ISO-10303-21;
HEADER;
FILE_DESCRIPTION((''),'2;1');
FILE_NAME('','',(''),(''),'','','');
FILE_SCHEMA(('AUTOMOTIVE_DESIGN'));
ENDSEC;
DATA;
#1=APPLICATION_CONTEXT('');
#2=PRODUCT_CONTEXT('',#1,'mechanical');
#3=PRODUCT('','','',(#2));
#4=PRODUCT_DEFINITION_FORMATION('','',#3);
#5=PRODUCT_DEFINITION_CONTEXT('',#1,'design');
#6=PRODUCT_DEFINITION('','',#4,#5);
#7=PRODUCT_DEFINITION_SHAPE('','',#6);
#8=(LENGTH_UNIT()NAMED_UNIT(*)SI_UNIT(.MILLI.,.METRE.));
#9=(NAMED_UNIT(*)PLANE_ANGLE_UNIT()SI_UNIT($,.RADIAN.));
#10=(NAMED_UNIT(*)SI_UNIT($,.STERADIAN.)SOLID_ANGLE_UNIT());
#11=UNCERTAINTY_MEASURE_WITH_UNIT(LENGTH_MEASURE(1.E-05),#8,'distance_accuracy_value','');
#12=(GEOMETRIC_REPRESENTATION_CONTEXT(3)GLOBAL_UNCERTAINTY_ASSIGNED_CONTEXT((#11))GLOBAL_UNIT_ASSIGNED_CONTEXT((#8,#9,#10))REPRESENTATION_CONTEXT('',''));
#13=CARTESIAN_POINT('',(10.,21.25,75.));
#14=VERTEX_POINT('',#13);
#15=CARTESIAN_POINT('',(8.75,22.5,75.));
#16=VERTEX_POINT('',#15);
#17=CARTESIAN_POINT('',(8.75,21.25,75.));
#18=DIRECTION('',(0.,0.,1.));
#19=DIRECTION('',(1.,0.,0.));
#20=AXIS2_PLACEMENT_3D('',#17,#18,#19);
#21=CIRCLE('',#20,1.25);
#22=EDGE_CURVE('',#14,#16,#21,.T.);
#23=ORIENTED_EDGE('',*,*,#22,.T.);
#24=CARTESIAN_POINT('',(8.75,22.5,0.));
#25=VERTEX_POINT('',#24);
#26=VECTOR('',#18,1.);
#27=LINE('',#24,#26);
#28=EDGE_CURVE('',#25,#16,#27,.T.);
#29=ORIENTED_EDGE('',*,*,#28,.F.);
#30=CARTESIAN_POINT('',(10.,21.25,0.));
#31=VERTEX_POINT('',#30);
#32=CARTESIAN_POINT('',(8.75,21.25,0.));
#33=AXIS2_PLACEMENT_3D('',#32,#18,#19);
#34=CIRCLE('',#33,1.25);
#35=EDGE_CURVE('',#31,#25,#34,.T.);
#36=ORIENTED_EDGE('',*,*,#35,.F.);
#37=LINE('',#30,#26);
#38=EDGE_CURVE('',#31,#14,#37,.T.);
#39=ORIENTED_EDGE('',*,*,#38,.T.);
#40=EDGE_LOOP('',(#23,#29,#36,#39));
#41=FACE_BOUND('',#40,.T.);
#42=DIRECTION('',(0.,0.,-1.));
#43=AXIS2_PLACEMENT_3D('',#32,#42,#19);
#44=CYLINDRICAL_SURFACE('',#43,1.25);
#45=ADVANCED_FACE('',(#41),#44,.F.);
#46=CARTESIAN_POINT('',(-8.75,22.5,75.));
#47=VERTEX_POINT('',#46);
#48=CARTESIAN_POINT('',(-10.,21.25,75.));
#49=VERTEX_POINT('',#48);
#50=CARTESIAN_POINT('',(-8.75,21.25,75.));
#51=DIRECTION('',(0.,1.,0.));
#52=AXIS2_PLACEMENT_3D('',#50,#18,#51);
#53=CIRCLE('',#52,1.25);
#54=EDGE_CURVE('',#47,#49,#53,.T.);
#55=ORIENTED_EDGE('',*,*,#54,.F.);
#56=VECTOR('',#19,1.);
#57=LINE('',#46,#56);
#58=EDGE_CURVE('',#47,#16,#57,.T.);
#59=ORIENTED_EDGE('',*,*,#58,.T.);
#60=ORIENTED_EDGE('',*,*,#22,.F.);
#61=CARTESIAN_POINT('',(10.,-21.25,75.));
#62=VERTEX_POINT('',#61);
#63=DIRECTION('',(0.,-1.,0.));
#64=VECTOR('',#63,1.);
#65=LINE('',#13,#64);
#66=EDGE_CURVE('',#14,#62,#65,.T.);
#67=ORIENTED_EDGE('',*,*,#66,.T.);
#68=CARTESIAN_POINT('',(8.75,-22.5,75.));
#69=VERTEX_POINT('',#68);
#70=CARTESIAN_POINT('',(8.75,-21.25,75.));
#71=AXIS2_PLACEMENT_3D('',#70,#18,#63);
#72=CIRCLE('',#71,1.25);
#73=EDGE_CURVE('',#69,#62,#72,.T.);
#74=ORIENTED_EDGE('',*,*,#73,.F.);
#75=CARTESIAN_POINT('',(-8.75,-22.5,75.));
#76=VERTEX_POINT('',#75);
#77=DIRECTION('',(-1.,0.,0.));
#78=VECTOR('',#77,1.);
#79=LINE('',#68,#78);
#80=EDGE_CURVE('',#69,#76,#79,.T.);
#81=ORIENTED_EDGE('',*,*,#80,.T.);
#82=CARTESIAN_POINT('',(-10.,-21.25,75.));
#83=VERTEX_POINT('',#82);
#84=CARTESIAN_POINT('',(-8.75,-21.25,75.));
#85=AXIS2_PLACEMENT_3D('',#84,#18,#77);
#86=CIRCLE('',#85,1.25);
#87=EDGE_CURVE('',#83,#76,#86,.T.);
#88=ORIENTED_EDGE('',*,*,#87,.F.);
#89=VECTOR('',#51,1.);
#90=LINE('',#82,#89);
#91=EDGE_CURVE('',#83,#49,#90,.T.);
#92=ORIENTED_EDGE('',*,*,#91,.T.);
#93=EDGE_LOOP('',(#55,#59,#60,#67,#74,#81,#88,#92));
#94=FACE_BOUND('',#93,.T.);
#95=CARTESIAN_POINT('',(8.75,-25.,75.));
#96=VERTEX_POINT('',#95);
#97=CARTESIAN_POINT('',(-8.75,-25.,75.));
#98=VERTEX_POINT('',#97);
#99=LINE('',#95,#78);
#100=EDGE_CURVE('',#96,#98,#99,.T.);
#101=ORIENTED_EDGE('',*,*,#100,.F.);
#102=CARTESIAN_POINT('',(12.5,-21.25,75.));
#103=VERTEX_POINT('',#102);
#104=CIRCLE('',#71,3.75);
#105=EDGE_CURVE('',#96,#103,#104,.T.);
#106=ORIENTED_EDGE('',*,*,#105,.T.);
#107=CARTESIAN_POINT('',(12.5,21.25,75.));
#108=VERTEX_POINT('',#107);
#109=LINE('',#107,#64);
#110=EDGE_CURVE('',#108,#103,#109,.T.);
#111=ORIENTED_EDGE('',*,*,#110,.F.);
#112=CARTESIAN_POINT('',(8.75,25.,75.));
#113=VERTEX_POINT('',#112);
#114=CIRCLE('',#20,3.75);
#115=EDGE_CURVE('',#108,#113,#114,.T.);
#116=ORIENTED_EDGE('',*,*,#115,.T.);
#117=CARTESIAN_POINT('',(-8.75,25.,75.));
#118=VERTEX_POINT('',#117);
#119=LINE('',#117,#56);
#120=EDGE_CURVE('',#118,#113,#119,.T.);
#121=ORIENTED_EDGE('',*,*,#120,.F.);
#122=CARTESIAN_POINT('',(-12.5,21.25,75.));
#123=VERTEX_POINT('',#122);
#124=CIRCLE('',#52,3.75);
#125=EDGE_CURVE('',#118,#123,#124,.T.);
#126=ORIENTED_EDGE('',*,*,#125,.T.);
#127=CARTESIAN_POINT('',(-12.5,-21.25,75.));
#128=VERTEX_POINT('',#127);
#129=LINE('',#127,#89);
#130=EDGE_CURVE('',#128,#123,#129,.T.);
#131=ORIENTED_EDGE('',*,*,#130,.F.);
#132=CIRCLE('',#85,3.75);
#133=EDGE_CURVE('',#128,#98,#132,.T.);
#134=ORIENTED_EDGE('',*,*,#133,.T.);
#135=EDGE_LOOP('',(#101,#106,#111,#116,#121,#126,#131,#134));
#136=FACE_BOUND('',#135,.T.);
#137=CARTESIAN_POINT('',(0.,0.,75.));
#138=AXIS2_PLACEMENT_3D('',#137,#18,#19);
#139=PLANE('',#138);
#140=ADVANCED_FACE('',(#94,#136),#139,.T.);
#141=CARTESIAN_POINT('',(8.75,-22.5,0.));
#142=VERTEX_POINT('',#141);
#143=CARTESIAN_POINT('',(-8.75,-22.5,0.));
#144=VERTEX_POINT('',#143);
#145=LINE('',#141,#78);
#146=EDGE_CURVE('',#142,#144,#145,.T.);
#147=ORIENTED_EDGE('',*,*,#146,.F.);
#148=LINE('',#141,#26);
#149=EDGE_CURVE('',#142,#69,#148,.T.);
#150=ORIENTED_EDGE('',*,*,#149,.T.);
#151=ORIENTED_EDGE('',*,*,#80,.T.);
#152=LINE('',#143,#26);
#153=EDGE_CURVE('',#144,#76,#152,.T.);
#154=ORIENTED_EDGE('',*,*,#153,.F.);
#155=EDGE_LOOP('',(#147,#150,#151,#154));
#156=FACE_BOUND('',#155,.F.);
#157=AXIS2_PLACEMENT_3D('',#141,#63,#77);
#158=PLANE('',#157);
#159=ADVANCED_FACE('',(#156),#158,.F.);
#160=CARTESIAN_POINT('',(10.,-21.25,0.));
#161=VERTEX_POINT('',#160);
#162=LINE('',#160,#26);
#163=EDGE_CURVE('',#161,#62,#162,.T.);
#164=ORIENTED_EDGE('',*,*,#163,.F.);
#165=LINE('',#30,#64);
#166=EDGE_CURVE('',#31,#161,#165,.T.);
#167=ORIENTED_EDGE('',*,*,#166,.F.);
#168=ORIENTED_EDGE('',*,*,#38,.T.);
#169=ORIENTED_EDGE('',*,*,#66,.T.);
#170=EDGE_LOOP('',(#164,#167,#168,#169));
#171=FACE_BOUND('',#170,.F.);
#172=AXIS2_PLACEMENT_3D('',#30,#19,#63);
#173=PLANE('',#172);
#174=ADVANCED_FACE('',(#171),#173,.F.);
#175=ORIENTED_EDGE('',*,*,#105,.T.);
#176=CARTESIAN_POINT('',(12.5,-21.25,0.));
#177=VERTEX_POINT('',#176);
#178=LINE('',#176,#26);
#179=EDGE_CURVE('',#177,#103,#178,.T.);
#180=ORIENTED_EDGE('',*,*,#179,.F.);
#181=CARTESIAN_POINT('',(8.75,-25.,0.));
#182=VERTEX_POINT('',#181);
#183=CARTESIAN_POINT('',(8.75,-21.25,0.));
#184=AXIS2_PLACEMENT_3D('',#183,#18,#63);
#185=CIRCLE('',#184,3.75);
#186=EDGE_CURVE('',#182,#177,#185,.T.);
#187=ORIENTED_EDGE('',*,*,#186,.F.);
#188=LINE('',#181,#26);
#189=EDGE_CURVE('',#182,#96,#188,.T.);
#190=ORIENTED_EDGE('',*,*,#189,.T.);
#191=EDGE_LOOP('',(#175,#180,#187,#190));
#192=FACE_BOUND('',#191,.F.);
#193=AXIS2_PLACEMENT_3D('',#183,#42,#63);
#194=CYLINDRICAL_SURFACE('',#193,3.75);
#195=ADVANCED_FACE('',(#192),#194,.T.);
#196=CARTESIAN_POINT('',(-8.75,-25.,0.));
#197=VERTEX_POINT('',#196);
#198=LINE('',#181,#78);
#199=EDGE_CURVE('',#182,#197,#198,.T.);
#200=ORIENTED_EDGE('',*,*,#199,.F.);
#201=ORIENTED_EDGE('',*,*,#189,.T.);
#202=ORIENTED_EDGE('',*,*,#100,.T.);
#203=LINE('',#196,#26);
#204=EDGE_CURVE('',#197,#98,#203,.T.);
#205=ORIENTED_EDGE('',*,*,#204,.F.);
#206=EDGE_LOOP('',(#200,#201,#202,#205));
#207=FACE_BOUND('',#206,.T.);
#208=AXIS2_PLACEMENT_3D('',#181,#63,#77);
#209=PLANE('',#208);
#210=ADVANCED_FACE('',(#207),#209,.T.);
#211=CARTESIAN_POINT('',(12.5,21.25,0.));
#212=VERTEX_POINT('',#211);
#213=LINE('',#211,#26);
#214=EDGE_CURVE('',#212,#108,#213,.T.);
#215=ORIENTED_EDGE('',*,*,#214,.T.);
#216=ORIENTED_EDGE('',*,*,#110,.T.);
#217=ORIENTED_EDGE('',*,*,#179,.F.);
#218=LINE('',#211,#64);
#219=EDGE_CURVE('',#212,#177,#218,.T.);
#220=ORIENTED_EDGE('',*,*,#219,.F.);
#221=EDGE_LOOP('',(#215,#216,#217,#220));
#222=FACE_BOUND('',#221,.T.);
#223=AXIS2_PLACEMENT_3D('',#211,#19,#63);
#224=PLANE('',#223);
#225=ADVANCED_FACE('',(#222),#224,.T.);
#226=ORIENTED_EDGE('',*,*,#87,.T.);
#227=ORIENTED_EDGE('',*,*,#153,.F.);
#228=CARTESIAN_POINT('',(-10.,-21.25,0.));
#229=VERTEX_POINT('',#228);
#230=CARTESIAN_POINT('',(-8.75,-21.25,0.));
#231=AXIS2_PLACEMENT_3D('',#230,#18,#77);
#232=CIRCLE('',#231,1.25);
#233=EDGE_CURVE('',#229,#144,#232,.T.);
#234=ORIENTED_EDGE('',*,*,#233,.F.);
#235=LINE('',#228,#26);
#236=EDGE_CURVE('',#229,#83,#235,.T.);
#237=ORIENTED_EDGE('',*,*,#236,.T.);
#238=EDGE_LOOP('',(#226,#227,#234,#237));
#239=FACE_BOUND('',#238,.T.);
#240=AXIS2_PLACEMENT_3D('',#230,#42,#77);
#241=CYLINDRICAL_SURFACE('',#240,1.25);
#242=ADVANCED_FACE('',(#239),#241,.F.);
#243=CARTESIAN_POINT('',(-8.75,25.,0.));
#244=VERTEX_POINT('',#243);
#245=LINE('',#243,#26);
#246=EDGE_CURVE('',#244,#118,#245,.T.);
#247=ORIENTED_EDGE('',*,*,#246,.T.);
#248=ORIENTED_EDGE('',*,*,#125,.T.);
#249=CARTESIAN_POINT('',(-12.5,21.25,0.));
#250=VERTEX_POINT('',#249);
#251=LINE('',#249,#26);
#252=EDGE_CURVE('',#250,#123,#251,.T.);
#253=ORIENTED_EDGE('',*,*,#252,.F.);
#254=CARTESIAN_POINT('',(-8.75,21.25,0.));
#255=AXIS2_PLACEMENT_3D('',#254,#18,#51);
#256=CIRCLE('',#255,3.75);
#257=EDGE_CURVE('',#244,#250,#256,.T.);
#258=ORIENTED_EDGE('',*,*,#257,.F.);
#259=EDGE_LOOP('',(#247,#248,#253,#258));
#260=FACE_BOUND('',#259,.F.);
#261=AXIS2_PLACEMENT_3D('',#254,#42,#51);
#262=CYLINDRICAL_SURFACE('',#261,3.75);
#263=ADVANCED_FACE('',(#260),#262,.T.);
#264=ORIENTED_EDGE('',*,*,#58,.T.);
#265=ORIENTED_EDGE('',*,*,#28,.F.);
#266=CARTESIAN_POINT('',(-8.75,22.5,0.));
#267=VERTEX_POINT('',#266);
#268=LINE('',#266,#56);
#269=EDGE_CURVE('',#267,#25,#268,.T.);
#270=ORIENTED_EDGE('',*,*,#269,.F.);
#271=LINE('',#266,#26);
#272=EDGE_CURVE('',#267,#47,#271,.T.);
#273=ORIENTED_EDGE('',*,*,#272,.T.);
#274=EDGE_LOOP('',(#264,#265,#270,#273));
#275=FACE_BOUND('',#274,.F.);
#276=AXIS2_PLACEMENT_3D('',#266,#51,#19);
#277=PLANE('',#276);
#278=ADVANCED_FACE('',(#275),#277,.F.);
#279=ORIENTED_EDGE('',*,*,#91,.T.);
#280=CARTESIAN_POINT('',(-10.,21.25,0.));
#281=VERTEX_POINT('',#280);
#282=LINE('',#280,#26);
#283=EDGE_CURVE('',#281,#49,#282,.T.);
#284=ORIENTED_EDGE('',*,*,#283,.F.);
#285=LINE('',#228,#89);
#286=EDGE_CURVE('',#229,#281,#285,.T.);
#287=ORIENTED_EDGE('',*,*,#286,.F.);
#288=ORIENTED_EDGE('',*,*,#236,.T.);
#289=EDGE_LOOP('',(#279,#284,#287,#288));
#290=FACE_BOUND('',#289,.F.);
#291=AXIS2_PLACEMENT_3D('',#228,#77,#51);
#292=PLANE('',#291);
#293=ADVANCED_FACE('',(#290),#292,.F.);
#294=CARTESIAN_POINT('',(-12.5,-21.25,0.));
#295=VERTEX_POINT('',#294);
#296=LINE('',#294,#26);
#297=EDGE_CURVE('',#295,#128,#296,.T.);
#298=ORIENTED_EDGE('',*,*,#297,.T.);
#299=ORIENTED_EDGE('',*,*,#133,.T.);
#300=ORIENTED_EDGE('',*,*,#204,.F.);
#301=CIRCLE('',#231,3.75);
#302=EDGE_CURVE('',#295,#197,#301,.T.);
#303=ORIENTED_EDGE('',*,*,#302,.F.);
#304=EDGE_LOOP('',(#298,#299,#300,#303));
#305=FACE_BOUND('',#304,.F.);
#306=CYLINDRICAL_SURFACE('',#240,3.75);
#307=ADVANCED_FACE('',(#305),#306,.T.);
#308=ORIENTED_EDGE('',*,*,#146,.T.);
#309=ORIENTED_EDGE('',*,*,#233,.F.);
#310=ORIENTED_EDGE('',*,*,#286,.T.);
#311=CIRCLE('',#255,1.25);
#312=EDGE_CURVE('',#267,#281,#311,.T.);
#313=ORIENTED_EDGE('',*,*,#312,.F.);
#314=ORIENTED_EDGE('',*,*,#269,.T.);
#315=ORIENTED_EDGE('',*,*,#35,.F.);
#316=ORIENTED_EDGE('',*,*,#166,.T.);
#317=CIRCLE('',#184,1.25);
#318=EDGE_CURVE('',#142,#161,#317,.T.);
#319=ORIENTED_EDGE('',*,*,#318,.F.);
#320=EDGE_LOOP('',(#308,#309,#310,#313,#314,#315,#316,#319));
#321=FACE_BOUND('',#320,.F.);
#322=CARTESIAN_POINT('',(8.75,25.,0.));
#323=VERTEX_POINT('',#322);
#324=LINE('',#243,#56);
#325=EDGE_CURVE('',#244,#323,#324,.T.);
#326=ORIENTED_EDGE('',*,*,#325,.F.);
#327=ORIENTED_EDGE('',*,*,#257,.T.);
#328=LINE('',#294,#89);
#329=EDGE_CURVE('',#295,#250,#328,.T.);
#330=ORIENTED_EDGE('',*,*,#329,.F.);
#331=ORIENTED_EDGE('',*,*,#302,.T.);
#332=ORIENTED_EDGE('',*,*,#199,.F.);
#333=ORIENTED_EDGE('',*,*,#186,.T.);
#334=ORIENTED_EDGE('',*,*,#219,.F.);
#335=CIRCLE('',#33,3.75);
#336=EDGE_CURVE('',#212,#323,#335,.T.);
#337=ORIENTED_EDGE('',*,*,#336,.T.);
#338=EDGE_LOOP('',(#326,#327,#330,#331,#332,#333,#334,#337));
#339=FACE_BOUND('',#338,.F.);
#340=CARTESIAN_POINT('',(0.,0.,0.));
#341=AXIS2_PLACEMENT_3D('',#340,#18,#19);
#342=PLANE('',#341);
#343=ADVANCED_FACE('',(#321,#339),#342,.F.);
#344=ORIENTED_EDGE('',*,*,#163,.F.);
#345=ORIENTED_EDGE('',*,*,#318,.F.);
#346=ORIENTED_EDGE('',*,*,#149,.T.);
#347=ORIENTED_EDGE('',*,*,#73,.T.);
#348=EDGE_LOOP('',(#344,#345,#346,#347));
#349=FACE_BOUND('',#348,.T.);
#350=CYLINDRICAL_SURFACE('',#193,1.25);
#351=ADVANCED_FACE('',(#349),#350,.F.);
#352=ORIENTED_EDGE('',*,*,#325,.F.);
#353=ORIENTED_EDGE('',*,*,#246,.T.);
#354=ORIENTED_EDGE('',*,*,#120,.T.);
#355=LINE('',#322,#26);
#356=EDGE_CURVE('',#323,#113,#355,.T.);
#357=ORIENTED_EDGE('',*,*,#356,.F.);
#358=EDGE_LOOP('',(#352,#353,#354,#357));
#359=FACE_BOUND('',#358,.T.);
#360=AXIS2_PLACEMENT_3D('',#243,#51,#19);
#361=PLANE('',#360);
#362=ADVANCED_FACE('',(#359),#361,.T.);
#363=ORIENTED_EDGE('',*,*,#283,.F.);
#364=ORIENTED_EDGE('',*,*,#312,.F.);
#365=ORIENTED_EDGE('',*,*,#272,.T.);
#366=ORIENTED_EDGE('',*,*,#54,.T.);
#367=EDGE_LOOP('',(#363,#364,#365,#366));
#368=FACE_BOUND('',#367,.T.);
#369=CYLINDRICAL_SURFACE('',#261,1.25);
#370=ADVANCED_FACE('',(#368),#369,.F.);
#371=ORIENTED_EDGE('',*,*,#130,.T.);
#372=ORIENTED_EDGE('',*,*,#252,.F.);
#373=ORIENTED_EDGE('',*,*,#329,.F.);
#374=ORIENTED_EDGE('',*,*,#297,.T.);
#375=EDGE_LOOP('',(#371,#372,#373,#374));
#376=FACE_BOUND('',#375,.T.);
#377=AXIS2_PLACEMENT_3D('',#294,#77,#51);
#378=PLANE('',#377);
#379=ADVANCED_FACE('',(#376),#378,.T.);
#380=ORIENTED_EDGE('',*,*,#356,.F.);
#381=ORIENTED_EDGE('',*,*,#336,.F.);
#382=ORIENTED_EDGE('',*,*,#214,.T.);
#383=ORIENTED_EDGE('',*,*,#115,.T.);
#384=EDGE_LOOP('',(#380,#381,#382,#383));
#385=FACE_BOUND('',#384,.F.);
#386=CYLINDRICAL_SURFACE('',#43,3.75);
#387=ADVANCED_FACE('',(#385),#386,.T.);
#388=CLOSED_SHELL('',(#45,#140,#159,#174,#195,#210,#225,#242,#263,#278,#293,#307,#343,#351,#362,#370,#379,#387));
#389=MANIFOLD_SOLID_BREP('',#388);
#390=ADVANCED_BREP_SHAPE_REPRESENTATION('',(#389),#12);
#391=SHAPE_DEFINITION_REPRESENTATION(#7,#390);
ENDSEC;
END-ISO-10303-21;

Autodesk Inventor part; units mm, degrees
ref_plane "YZ Plane" through (0, 0, 0) normal (1, 0, 0) x (0, 1, 0)
ref_plane "Plano inicial" through (0, 0, 0) normal (0, 0, 1) x (1, 0, 0)
ref_plane "Plano final" through (0, 0, 75) normal (0, 0, 1) x (1, 0, 0)
sketch "Boceto" plane through (0, 0, 0) normal (0, 0, 1) x (1, 0, 0)
  line L0 (-12.5, -21.25) -> (-12.5, 21.25)
  line L1 (-8.75, 25) -> (8.75, 25)
  line L2 (12.5, 21.25) -> (12.5, -21.25)
  line L3 (8.75, -25) -> (-8.75, -25)
  arc A0 (-12.5, -21.25) -> (-8.75, -25) centre (-8.75, -21.25) ccw
  arc A1 (-8.75, 25) -> (-12.5, 21.25) centre (-8.75, 21.25) ccw
  arc A2 (12.5, 21.25) -> (8.75, 25) centre (8.75, 21.25) ccw
  arc A3 (8.75, -25) -> (12.5, -21.25) centre (8.75, -21.25) ccw
  arc A4 (-8.75, 22.5) -> (-10, 21.25) centre (-8.75, 21.25) ccw
  line L4 (-8.75, 22.5) -> (8.75, 22.5)
  arc A5 (10, 21.25) -> (8.75, 22.5) centre (8.75, 21.25) ccw
  line L5 (10, 21.25) -> (10, -21.25)
  arc A6 (8.75, -22.5) -> (10, -21.25) centre (8.75, -21.25) ccw
  line L6 (8.75, -22.5) -> (-8.75, -22.5)
  arc A7 (-10, -21.25) -> (-8.75, -22.5) centre (-8.75, -21.25) ccw
  line L7 (-10, -21.25) -> (-10, 21.25)
  line L8 (0, 36.0873) -> (0, -36.0873) construction
  line L9 (-18.5873, 0) -> (18.5873, 0) construction
  dimension "d7" = 3.75
  dimension "d10" = 50
  dimension "d11" = 25
  dimension "d12" = 2.5
  dimension "d15" = 25
  dimension "d16" = 12.5
extrude "Cuerpo" add sketch "Boceto" along normal up to surface (75 mm away) from surface at 0
sketch "Sketch3" plane through (0, 0, 0) normal (0, 0, 1) x (1, 0, 0)
  line L0 (0, 0) -> (10, 0)
ref_plane "Work Plane3" through (0, 0, 0) normal (0, -1, 0) x (1, 0, 0)
sketch "Sketch4" plane through (0, 0, 0) normal (0, -1, 0) x (1, 0, 0)
  line L0 (-2, 0) -> (12, 0)
  line L1 (-2, 75) -> (12, 75)
  dimension "d18" = 75
equation "\"d7\" = G_IR"
equation "\"d10\" = G_H"
equation "\"d11\" = G_W"
equation "\"d12\" = G_T"
equation "\"d15\" = 0.5 * d10"
equation "\"d16\" = 0.5 * d11"
equation "\"d3\" = G_L"
equation "\"G_W\" = 25"
equation "\"G_H\" = 50"
equation "\"G_T\" = 2.5"
equation "\"G_IR\" = 3.75"
equation "\"G_L\" = d18"
equation "\"G_OFFSET_START\" = 0"
equation "\"G_OFFSET_END\" = 0"
equation "\"d14\" = G_OFFSET_END + B_L"
equation "\"B_L\" = 75"
properties part number "ISO 12633-2 - 50x25x2.5 - 75" material "Acero, suave"
